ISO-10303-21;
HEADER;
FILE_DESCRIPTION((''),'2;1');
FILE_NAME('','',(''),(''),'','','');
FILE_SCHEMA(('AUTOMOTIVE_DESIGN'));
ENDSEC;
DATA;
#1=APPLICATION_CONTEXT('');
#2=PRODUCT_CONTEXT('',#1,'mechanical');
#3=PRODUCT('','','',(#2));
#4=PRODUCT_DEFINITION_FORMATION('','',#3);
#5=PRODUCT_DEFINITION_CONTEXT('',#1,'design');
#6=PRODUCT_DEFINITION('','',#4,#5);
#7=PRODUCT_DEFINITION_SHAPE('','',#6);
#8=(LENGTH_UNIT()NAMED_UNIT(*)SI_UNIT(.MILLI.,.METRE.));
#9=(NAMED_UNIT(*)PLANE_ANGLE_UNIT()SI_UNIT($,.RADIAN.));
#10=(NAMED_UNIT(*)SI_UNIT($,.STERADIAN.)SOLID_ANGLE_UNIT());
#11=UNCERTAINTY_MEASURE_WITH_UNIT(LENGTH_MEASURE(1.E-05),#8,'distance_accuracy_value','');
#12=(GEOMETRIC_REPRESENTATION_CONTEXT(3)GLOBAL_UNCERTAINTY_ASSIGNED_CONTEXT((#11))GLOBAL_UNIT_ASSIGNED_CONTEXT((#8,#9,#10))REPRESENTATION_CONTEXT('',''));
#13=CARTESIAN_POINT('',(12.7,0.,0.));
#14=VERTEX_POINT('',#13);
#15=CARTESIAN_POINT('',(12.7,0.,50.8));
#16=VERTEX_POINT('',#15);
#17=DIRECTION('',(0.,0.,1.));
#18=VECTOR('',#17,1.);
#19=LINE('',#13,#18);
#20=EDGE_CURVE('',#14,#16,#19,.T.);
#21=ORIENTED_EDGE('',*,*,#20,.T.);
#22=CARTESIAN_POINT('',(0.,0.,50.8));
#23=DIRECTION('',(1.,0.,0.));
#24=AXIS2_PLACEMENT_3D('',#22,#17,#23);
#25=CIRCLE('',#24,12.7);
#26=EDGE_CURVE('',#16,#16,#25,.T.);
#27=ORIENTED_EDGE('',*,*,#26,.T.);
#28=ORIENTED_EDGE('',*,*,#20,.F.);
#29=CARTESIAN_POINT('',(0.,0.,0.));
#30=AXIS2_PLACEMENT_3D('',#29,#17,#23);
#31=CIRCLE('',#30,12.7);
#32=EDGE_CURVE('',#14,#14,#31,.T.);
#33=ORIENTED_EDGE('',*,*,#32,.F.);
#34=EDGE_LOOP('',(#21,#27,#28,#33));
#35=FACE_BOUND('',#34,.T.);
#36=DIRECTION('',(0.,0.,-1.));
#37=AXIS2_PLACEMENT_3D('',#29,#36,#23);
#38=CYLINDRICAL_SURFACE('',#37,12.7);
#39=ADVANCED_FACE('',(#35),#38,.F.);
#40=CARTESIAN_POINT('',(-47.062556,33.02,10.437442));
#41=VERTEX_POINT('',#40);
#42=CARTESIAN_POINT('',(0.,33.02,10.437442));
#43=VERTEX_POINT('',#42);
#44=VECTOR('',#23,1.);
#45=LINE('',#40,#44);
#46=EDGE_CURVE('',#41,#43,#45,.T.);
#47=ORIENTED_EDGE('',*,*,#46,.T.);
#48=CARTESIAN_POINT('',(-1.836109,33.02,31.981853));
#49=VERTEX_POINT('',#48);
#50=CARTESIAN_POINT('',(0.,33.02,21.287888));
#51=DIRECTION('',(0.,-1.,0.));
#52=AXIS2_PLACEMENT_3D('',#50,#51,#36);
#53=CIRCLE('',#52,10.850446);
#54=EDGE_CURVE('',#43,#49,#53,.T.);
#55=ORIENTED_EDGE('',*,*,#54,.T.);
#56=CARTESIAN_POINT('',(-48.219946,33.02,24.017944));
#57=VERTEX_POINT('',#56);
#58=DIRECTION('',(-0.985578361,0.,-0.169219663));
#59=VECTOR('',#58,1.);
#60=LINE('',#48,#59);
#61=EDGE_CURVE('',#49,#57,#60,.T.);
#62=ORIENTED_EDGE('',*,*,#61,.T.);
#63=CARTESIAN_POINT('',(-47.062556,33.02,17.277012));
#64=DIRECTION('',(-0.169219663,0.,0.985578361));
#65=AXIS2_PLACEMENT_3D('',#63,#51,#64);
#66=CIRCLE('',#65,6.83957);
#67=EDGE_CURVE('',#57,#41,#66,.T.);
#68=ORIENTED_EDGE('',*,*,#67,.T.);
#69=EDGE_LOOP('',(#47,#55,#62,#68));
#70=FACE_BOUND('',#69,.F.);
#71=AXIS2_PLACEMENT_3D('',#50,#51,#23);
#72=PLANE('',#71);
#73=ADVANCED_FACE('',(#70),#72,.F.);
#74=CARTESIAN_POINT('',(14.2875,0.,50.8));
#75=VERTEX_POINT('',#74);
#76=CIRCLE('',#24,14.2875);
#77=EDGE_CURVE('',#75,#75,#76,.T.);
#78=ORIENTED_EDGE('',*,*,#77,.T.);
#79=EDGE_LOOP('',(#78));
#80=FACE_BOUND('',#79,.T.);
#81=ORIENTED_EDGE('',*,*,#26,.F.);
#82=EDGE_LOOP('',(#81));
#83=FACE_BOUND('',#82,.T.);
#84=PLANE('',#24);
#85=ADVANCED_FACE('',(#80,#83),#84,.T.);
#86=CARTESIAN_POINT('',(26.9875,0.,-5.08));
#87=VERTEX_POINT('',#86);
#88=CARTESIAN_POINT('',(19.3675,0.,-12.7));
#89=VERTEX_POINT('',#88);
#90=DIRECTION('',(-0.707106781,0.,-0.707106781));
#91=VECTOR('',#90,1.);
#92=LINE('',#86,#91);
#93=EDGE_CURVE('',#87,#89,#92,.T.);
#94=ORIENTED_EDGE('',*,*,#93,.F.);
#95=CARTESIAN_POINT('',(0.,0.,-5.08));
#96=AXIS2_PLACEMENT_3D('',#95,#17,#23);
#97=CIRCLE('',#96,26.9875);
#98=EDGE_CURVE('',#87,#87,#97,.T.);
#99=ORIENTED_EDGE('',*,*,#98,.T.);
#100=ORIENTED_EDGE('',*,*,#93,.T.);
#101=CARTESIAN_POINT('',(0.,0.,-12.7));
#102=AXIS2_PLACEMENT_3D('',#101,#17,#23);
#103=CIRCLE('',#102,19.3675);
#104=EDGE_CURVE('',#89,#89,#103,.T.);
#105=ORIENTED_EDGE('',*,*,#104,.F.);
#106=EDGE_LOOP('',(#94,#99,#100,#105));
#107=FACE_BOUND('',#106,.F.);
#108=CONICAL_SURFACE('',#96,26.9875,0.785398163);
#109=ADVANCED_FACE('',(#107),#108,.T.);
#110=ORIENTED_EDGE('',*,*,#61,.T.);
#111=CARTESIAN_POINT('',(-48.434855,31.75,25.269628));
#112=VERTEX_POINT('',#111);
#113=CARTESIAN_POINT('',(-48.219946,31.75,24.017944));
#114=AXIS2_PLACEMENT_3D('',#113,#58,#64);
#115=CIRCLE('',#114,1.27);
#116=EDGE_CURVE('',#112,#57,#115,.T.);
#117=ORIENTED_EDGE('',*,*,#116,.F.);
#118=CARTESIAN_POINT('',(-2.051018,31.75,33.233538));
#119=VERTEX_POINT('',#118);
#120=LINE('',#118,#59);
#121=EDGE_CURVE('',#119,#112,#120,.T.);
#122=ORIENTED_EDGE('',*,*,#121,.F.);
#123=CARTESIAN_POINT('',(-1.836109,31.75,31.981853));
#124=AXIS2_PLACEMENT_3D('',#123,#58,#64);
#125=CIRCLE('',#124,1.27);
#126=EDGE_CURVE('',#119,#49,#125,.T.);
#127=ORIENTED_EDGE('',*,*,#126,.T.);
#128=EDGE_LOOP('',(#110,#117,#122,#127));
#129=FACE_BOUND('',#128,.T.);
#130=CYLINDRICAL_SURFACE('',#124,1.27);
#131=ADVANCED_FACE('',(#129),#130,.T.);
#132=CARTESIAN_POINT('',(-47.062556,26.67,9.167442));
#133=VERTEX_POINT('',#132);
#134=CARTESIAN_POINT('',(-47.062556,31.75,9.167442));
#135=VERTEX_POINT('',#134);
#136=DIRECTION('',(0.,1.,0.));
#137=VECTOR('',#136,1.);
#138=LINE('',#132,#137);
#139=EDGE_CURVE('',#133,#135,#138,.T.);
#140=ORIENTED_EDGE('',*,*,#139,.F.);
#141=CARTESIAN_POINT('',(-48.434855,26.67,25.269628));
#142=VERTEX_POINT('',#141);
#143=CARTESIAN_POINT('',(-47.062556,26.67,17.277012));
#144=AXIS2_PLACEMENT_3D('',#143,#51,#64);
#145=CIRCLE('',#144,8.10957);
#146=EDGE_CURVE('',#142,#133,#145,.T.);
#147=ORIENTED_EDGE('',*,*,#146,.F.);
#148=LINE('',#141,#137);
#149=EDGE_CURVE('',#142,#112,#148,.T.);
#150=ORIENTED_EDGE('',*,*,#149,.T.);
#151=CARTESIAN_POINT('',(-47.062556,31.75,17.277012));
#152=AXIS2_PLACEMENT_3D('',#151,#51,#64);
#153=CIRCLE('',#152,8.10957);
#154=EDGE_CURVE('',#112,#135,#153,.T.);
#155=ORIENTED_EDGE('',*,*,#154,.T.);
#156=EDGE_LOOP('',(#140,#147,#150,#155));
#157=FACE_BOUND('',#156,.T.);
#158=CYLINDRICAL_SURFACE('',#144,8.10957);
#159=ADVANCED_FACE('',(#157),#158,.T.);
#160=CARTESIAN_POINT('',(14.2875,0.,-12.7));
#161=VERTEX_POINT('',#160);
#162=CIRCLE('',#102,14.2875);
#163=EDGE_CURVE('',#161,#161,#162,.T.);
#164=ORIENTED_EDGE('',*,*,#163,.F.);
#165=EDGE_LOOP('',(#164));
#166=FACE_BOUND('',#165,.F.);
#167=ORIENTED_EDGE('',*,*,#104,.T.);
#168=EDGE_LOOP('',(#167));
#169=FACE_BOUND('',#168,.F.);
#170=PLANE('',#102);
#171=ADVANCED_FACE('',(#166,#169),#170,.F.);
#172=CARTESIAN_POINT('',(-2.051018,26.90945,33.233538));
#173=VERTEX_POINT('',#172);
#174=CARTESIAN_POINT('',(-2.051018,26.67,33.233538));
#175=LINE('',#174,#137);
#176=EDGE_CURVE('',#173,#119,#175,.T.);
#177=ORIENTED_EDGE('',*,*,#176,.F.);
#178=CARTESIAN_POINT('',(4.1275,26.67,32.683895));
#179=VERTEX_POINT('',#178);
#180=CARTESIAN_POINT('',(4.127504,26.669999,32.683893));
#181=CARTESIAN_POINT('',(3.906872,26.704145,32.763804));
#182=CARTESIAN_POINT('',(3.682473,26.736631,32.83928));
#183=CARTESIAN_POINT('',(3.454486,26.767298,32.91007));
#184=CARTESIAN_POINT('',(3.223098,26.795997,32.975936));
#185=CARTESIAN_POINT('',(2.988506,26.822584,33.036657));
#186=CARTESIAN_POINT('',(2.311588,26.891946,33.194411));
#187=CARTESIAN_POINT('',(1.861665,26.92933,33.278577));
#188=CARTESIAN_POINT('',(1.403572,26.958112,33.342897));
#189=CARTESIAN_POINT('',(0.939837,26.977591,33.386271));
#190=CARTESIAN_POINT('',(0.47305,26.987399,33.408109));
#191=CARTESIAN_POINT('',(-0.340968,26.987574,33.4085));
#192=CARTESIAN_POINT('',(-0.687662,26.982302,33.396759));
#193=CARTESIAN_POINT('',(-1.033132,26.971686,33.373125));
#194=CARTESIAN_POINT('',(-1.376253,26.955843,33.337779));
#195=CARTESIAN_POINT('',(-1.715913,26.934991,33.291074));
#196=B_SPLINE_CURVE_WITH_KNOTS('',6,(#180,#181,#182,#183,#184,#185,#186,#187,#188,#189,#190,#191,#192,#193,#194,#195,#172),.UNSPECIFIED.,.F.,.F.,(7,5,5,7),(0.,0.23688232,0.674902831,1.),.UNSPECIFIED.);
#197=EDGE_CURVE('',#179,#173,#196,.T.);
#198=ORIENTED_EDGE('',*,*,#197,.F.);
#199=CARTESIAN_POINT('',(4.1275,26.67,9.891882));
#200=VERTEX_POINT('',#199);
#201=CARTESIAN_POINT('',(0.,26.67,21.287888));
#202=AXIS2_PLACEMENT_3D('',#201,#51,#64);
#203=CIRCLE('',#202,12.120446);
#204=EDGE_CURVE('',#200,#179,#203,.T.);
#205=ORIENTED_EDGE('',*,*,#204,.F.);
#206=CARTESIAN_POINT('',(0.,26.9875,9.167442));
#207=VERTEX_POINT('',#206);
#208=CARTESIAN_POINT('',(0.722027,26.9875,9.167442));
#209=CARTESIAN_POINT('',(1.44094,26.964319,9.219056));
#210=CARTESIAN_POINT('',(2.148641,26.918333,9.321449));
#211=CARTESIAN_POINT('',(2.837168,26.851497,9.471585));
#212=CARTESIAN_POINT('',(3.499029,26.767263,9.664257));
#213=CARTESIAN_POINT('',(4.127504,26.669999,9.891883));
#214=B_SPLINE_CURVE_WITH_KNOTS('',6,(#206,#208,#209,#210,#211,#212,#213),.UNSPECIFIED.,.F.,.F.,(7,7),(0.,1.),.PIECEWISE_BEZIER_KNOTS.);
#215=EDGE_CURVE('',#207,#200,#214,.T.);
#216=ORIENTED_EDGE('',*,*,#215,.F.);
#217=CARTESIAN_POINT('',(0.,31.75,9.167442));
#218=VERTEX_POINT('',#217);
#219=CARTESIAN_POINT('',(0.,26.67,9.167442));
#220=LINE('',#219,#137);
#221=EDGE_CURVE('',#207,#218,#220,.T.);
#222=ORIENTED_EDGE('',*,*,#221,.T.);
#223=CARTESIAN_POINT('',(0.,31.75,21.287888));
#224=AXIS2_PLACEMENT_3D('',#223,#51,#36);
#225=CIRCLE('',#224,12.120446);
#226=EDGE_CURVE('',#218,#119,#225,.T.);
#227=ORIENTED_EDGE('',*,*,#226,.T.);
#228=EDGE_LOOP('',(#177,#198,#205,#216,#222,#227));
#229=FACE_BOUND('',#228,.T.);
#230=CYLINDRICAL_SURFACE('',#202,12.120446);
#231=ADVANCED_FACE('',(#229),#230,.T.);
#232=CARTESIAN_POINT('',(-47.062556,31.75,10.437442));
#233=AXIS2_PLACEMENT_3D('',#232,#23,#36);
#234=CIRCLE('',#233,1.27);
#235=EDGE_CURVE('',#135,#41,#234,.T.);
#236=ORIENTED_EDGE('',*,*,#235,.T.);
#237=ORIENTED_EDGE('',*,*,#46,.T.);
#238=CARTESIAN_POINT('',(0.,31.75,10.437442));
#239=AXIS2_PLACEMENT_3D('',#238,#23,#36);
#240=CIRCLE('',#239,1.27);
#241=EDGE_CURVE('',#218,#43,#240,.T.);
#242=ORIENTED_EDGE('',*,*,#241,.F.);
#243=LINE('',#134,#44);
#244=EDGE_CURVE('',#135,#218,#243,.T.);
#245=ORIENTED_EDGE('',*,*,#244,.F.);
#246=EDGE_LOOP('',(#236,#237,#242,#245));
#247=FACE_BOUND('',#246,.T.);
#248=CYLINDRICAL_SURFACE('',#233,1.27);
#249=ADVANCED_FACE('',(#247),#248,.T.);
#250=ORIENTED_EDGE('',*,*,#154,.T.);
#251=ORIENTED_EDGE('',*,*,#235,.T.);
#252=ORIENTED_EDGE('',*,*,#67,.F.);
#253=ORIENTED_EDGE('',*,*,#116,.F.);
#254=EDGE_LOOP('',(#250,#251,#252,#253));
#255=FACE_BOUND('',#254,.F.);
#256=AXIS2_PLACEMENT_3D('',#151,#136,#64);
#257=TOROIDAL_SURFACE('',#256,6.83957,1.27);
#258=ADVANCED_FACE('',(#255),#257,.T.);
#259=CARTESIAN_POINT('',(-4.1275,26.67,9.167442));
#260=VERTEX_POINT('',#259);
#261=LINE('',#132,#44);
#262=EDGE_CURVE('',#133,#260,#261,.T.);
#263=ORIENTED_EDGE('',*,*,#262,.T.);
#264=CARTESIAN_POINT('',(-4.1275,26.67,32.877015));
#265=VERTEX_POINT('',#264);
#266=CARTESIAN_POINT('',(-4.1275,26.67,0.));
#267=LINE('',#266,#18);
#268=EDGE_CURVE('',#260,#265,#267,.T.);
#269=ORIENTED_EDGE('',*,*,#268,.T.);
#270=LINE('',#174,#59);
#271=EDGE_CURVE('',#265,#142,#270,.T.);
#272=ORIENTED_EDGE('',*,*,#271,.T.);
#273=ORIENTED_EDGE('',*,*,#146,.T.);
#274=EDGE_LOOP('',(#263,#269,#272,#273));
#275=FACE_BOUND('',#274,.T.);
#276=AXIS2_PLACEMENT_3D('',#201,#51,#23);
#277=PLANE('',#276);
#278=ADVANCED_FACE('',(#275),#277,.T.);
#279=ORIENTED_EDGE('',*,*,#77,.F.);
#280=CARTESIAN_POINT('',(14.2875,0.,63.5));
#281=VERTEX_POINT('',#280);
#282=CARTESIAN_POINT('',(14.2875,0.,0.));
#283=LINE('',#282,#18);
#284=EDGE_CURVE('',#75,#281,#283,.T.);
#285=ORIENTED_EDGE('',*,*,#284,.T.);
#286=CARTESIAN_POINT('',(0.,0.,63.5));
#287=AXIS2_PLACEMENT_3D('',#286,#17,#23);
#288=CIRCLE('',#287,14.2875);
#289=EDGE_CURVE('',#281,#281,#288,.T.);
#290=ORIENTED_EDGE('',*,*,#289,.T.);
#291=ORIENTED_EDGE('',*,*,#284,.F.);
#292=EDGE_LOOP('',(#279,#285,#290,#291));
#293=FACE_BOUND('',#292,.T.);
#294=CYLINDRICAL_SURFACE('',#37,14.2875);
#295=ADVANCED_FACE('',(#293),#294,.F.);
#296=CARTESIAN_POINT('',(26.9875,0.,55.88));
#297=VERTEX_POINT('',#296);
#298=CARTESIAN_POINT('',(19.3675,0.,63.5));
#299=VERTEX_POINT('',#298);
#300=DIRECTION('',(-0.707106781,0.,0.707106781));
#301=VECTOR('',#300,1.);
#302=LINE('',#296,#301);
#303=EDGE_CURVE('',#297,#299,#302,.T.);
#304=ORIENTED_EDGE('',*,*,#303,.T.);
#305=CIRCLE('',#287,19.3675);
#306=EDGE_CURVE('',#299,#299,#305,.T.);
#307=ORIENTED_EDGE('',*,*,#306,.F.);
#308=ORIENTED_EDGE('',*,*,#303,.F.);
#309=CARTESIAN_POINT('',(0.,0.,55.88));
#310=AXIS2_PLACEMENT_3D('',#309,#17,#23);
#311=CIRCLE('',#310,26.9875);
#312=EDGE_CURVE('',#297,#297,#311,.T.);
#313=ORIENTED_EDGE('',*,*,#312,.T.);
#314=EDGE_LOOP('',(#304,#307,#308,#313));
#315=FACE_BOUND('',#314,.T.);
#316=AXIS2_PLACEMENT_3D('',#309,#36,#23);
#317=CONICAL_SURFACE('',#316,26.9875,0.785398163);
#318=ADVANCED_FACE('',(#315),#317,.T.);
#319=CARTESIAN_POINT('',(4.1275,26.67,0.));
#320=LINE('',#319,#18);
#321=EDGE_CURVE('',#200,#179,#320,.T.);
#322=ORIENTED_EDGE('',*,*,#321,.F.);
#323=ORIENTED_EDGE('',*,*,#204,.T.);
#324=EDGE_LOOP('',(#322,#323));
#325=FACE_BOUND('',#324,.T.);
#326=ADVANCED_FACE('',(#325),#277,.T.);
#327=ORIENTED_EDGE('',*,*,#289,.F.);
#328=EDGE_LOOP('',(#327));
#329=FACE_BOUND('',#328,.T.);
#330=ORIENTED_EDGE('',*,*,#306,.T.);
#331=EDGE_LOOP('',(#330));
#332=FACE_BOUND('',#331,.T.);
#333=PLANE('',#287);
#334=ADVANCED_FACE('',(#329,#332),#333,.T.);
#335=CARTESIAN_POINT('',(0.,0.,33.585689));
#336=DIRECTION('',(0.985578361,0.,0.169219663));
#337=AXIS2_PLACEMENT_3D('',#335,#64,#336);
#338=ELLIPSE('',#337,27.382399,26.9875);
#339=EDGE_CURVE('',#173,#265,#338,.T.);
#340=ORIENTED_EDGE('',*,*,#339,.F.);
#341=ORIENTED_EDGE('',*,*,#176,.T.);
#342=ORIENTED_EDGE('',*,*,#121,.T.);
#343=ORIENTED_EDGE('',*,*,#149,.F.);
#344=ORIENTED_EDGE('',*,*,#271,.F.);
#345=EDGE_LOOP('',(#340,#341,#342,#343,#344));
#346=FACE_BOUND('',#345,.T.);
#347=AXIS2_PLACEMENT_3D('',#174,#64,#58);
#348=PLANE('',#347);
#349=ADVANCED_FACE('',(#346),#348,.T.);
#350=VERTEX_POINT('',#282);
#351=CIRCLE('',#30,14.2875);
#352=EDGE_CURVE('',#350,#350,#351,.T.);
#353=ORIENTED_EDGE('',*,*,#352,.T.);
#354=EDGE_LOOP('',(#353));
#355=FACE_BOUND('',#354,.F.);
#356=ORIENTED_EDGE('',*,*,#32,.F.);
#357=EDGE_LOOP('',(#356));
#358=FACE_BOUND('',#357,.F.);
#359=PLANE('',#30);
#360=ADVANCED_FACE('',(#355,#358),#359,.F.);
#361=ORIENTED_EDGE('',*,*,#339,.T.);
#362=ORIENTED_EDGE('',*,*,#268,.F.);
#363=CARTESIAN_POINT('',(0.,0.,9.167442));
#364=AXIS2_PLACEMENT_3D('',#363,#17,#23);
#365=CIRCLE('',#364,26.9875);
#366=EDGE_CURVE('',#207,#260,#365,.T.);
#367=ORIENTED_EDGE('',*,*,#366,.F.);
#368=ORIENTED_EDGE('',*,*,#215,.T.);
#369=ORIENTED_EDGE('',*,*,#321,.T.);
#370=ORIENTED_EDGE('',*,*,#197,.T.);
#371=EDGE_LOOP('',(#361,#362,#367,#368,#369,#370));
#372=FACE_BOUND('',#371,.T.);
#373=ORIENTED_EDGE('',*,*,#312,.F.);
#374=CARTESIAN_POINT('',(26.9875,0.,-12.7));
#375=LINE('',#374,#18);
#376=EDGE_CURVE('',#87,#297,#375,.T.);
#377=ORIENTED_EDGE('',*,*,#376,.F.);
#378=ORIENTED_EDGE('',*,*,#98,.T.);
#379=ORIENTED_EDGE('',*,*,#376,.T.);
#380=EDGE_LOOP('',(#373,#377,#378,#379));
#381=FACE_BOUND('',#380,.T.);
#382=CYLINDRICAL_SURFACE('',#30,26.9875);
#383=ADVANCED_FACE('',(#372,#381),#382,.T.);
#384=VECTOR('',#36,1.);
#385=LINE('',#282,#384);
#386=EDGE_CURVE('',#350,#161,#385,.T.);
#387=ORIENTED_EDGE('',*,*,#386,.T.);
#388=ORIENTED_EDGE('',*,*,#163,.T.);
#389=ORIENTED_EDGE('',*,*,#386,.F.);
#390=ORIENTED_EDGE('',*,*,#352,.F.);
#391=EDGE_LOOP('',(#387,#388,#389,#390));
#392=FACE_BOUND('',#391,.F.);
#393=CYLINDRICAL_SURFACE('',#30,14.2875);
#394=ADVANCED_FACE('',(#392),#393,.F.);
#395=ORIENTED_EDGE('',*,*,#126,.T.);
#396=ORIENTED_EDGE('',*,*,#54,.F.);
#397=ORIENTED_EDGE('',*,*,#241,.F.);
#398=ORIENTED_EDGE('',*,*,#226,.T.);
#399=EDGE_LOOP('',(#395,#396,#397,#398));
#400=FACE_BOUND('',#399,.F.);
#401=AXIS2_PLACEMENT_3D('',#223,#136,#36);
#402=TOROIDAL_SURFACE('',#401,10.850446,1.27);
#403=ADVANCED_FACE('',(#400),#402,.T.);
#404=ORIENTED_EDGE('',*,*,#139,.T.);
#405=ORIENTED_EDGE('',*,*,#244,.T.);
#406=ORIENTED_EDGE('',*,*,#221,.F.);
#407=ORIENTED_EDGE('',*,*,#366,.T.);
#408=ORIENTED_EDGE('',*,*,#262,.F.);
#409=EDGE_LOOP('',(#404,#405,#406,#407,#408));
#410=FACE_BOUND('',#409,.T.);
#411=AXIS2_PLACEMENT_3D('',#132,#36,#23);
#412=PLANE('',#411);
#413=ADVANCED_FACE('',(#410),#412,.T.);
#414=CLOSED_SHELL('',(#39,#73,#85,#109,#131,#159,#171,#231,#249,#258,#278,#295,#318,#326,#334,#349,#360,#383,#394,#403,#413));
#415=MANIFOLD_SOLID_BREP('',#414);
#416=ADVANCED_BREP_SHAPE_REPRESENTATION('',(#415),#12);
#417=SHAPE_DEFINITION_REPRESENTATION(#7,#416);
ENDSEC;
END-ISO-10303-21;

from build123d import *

# Parameters (mm, degrees)
F0_R          = 14.2875
F0_R_2        = 12.7
F2_DEPTH      = 50.8
F3_R          = 26.9875
F3_R_2        = 14.2875
F4_DEPTH      = 63.5
F4_DEPTH_BACK = 12.7
F5_SIZE       = 7.62
F7_START      = -26.67
F7_DEPTH      = 6.35
F8_R          = 1.27


with BuildPart() as f2:
    # F0 (on Top) → F2 (new body)
    with BuildSketch(Plane.XY):
        Circle(F0_R)
        Circle(F0_R_2, mode=Mode.SUBTRACT)
    extrude(amount=F2_DEPTH)

    # F3 (on face) → F4 (join, two sides)
    with BuildSketch(Plane.XY) as f4_sk:
        Circle(F3_R)
        Circle(F3_R_2, mode=Mode.SUBTRACT)
    extrude(amount=F4_DEPTH)
    extrude(f4_sk.sketch, amount=-F4_DEPTH_BACK)

    # F5
    f5_edges = [f2.edges().sort_by_distance(p)[0] for p in [
        (-26.9875, 0, 63.5),
        (-26.9875, 0, -12.7),
    ]]
    chamfer(f5_edges, length=F5_SIZE)

    # F6 (on Front) → F7 (join)
    with BuildSketch(Plane.XZ.offset(F7_START)):
        with BuildLine():
            ThreePointArc((0, 9.1674418672), (8.5704498555, 12.717438433), (12.1204464213, 21.2878882885))
            ThreePointArc((12.1204464213, 21.2878882885), (7.8117209816, 30.5551552404), (-2.0510178584, 33.233538007))
            ThreePointArc((-2.0510178584, 33.233538007), (-12.0766681836, 20.2586618626), (0, 9.1674418672))
        make_face()
        with BuildLine():
            ThreePointArc((0, 9.1674418672), (-12.0766681836, 20.2586618626), (-2.0510178584, 33.233538007))
            Line((-2.0510178584, 33.233538007), (-48.4348551439, 25.2696280601))
            ThreePointArc((-48.4348551439, 25.2696280601), (-41.8358763876, 23.4775709789), (-38.9529867456, 17.2770116073))
            ThreePointArc((-38.9529867456, 17.2770116073), (-41.32822473, 11.5426798516), (-47.0625564857, 9.1674418672))
            Line((-47.0625564857, 9.1674418672), (0, 9.1674418672))
        make_face()
        with BuildLine():
            ThreePointArc((-38.9529867456, 17.2770116073), (-41.8358763876, 23.4775709789), (-48.4348551439, 25.2696280601))
            ThreePointArc((-48.4348551439, 25.2696280601), (-55.142835005, 16.5883749689), (-47.0625564857, 9.1674418672))
            ThreePointArc((-47.0625564857, 9.1674418672), (-41.32822473, 11.5426798516), (-38.9529867456, 17.2770116073))
        make_face()
    extrude(amount=-F7_DEPTH)

    # F8
    f8_edges = [f2.edges().sort_by_distance(p)[0] for p in [
        (12.076668, 33.02, 22.317115),
        (-25.242937, 33.02, 29.251583),
        (-55.142835, 33.02, 16.588375),
        (-23.531278, 33.02, 9.167442),
    ]]
    fillet(f8_edges, radius=F8_R)


solid = f2.part
